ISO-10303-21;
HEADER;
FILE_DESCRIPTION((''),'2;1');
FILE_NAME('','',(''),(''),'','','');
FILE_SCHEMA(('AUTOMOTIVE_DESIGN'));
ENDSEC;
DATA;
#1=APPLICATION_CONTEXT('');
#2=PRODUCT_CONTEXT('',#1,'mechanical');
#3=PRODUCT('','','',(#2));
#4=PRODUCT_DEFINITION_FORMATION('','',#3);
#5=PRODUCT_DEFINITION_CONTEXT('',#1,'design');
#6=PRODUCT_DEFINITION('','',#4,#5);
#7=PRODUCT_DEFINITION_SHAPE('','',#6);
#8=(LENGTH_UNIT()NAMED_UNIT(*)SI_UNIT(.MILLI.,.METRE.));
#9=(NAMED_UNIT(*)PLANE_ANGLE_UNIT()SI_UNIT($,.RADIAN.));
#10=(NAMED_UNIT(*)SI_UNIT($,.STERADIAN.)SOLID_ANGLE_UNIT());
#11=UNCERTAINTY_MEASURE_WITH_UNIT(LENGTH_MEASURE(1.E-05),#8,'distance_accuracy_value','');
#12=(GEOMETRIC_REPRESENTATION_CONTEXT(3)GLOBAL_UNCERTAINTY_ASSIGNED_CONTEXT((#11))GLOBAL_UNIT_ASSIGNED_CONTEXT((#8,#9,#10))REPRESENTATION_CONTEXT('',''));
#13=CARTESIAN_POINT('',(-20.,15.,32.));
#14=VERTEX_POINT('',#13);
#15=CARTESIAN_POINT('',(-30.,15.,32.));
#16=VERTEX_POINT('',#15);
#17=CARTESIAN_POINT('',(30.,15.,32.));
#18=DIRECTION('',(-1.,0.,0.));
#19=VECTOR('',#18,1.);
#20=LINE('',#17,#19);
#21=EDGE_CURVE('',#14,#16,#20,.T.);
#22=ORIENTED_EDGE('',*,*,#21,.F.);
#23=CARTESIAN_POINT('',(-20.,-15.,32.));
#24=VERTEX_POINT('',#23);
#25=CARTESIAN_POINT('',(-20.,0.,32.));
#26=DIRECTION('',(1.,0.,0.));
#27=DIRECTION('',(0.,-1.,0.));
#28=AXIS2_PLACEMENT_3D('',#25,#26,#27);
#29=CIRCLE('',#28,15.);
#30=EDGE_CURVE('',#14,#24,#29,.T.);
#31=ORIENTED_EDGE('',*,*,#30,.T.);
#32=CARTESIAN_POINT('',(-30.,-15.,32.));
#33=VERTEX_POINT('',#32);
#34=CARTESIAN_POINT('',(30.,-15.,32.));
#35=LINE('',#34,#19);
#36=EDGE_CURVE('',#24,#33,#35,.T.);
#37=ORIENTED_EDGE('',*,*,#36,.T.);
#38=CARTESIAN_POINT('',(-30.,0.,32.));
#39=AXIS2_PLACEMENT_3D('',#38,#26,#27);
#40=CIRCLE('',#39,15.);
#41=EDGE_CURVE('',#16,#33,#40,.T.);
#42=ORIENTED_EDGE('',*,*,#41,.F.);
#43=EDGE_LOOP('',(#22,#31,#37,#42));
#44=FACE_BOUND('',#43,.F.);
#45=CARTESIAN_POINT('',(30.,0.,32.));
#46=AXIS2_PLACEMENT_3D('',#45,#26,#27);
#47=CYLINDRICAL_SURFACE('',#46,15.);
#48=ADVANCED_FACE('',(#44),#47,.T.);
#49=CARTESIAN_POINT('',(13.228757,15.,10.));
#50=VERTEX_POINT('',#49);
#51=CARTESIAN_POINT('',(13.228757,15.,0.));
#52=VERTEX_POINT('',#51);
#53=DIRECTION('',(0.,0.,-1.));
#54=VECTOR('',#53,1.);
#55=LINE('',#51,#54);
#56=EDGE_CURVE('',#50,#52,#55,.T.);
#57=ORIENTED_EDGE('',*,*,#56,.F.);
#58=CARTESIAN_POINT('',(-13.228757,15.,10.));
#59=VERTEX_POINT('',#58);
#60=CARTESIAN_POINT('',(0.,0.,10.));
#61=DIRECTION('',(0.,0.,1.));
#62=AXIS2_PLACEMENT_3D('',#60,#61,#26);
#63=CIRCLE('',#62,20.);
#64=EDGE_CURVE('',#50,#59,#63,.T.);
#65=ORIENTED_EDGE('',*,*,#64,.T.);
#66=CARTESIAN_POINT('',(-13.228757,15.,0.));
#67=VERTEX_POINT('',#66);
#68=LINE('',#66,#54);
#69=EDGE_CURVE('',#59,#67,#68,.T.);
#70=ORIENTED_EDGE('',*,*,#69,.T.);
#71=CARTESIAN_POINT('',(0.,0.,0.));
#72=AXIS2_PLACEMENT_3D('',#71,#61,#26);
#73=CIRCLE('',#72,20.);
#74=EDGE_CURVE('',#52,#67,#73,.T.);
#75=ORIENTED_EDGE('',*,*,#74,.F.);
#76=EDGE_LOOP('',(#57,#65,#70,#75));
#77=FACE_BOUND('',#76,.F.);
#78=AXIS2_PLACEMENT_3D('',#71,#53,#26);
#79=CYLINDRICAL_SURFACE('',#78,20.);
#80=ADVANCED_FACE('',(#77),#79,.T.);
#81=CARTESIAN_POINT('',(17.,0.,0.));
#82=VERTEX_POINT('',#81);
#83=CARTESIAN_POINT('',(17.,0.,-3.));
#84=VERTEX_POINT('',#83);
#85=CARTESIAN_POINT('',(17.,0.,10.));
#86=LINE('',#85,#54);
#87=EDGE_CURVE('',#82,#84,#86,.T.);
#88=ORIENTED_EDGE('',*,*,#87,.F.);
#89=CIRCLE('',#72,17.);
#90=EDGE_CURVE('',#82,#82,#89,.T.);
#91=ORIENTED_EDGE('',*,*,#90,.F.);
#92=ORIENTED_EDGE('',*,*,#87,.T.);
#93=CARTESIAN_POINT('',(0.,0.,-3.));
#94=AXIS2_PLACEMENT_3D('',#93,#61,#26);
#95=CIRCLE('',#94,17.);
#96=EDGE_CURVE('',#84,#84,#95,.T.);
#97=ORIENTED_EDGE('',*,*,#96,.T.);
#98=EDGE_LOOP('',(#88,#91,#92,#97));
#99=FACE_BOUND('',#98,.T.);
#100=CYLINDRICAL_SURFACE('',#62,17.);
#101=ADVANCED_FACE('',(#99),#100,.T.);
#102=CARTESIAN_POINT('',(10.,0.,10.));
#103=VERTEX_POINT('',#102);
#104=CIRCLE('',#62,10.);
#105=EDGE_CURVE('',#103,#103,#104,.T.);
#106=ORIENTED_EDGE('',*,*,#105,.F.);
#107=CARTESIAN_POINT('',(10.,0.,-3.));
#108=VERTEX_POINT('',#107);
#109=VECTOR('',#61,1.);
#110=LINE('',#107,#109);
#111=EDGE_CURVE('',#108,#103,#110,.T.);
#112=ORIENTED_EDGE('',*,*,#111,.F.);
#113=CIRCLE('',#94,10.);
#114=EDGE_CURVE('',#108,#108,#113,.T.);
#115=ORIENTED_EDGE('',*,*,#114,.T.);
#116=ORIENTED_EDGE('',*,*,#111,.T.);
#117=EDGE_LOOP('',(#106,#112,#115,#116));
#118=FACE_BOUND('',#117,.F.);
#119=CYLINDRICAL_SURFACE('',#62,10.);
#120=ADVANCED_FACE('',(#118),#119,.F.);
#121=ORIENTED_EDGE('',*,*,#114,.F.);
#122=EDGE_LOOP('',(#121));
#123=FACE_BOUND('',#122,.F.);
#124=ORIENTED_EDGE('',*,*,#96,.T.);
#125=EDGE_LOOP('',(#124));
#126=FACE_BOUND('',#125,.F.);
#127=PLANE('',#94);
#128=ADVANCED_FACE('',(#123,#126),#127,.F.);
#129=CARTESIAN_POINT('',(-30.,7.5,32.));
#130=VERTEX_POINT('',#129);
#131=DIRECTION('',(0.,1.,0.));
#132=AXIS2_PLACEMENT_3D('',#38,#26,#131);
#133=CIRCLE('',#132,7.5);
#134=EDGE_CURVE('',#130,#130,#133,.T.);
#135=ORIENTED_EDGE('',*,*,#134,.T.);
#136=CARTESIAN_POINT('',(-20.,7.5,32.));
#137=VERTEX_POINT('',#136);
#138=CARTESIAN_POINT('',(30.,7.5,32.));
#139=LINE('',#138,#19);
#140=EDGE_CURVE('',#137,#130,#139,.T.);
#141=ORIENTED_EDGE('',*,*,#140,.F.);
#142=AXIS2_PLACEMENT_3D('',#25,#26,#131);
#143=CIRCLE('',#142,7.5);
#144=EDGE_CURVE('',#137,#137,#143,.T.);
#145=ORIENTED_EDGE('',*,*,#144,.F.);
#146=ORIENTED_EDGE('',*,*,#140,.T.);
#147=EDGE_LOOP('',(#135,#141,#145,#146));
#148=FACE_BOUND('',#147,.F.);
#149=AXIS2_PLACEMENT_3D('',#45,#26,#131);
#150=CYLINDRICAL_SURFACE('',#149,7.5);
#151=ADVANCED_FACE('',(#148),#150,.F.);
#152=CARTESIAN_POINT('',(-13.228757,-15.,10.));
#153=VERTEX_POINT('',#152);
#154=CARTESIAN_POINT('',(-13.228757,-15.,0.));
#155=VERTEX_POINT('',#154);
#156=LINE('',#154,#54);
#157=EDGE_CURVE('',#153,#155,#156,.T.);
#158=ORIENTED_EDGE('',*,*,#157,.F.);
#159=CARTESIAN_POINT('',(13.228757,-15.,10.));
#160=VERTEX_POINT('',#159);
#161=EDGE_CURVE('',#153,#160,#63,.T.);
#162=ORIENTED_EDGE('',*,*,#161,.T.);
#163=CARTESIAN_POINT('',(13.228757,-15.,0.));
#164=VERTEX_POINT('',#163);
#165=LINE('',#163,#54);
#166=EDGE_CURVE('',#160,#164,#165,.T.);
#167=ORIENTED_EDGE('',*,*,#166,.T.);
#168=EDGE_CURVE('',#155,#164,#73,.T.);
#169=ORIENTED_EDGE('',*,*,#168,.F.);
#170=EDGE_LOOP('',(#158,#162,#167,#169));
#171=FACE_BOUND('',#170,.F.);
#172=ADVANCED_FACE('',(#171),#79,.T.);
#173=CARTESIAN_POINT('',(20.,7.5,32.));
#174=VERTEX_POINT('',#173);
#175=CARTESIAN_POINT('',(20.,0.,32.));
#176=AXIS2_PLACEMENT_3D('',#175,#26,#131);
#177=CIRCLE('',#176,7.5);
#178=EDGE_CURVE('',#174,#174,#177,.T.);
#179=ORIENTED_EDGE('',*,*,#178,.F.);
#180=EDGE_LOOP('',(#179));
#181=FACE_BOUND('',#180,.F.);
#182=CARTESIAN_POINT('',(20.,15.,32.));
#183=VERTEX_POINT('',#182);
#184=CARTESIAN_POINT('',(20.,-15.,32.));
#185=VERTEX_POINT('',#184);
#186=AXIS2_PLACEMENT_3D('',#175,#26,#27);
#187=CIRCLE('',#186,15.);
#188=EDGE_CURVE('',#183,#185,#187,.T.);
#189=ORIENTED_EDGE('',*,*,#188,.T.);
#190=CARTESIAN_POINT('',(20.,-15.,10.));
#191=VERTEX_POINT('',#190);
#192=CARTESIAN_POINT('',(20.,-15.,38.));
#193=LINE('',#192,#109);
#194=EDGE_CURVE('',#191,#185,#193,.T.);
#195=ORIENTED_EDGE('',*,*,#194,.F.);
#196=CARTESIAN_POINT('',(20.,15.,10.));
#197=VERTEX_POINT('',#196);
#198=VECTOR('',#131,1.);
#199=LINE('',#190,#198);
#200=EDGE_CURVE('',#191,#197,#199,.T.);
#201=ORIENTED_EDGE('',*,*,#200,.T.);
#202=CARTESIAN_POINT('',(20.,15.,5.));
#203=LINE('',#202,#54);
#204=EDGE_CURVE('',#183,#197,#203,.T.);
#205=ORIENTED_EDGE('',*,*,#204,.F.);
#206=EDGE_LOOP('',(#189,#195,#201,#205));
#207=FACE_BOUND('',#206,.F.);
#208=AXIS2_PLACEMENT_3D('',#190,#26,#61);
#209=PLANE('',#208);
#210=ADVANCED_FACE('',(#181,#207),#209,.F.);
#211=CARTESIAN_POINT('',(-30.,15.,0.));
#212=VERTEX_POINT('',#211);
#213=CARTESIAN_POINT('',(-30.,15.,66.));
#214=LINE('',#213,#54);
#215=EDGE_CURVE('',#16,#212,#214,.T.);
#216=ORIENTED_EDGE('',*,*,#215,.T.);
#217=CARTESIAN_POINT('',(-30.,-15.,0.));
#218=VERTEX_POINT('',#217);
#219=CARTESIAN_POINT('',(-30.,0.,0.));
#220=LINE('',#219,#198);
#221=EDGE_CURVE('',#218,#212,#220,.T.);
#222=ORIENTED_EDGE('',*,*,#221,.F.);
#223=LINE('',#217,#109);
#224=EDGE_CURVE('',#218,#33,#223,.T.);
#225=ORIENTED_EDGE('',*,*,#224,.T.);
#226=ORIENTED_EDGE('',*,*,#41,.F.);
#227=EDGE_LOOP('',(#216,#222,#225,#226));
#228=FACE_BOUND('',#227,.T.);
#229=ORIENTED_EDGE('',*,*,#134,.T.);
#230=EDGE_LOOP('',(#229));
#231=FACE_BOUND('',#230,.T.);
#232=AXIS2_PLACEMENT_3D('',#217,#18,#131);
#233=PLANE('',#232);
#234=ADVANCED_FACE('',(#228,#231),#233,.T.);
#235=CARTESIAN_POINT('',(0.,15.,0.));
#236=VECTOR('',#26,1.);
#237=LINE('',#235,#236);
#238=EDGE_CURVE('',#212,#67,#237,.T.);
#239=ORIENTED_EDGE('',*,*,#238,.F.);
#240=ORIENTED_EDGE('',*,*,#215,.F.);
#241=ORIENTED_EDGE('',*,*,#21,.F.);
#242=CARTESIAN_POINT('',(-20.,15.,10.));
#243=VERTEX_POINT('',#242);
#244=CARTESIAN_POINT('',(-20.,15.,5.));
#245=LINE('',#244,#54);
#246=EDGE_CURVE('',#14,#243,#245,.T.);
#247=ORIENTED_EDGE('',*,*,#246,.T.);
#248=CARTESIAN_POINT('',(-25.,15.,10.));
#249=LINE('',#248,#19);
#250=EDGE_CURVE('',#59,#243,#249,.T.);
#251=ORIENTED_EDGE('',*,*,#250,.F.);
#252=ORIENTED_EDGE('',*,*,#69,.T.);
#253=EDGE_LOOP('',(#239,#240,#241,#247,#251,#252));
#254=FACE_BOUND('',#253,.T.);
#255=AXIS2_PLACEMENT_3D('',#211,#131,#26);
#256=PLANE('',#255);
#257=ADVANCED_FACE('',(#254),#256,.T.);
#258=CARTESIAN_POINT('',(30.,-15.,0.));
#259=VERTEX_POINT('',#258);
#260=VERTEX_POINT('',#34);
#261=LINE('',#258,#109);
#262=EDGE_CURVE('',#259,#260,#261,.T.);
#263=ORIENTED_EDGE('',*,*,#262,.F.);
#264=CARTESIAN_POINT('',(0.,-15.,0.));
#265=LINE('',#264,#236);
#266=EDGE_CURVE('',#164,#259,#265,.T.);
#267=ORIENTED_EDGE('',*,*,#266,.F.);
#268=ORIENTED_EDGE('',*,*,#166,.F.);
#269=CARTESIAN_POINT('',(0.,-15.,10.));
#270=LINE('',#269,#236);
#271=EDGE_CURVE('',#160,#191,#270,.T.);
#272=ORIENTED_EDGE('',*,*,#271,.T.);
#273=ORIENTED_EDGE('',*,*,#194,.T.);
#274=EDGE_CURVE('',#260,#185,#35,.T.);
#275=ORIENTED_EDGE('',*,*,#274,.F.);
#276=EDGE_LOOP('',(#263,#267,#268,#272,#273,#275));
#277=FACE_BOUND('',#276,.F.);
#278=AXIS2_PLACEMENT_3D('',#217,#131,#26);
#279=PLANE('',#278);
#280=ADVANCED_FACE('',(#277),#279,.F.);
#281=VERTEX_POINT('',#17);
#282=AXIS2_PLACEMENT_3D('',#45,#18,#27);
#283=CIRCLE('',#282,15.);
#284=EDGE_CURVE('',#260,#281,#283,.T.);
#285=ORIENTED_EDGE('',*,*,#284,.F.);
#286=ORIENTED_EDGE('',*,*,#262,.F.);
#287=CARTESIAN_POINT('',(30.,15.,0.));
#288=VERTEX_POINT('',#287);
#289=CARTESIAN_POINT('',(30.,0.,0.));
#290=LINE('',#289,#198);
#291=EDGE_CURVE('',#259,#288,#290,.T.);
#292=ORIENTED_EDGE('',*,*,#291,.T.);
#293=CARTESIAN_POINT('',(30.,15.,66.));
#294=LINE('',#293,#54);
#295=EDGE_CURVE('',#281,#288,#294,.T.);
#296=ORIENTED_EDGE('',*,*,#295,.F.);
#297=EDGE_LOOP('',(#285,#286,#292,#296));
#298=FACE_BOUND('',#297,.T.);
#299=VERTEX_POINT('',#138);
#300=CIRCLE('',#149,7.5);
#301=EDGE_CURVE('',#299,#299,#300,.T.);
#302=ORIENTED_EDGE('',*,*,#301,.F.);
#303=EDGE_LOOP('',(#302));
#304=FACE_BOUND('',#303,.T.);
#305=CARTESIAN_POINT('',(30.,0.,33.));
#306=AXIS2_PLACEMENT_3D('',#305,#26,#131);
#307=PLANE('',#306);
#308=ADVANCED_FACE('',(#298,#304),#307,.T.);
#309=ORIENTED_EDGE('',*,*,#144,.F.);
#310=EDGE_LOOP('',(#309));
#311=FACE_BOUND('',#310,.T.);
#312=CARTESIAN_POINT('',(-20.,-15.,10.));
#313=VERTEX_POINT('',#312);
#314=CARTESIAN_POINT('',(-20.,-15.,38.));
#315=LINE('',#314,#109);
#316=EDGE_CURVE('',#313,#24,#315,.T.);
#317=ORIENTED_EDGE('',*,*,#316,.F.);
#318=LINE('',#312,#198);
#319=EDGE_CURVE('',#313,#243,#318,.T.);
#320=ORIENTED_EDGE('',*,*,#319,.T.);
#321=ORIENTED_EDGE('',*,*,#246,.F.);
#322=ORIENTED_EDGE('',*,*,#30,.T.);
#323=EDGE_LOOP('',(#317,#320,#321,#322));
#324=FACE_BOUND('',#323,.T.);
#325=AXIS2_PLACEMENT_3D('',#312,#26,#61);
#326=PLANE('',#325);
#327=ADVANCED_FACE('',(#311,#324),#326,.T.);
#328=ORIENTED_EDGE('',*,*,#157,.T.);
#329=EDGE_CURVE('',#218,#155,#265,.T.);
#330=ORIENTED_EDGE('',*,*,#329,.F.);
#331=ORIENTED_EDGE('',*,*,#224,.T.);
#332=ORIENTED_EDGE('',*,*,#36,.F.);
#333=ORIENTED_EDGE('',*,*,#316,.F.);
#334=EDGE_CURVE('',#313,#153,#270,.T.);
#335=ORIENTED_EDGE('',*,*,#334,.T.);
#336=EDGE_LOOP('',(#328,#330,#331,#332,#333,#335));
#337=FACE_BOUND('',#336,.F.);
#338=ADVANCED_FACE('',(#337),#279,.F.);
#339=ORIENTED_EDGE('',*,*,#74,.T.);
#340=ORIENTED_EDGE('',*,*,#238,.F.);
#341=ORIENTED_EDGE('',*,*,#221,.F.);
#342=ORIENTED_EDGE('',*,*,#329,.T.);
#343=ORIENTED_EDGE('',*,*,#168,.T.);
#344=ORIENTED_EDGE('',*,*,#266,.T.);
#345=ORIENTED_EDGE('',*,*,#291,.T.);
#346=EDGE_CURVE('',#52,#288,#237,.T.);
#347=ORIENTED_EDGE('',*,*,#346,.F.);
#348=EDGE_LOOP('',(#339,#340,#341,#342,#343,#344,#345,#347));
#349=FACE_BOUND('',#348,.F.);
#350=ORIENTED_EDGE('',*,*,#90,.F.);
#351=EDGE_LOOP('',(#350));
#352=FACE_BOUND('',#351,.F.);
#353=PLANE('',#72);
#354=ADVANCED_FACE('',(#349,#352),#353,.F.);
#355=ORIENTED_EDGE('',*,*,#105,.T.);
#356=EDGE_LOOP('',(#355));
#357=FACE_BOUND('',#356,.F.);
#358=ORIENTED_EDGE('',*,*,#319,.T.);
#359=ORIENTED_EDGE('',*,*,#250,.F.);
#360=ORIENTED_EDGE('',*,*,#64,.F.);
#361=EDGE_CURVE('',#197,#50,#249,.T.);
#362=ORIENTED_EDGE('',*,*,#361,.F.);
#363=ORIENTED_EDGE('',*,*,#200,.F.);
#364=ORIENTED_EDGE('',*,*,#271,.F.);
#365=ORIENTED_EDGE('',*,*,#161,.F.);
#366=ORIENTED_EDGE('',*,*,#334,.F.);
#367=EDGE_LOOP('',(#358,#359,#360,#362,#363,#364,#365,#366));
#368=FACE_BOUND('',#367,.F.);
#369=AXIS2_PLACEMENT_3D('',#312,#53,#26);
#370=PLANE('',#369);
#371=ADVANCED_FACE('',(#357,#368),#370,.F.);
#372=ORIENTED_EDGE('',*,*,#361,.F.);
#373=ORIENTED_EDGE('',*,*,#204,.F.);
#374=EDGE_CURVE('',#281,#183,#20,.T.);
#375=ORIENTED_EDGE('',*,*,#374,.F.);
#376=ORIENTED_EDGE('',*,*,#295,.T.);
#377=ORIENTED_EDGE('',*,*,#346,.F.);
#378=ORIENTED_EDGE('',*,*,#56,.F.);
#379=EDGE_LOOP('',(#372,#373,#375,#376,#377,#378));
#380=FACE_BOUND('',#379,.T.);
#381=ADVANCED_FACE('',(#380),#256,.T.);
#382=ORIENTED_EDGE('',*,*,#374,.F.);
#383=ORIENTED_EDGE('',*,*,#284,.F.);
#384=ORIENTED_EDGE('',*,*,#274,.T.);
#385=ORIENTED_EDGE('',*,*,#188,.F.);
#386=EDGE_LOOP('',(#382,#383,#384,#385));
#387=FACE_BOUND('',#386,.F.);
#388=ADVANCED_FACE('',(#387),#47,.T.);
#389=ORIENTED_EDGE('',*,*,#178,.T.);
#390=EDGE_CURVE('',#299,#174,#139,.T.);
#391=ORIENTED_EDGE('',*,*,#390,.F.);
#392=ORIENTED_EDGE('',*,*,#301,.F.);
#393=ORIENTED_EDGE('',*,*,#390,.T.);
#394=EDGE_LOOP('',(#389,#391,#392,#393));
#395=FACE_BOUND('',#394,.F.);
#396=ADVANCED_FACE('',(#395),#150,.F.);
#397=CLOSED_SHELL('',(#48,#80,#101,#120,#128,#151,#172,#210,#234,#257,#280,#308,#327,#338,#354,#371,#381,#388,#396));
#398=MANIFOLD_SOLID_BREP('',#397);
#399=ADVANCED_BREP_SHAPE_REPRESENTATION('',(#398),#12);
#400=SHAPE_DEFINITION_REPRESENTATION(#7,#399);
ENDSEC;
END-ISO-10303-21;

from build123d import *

# Parameters (mm, degrees)
F0_R      = 20
F0_R_2    = 10
F1_DEPTH  = 10
F2_W      = 60
F2_H      = 30
F3_DEPTH  = 10
F4_R      = 17
F5_DEPTH  = 13
F6_R      = 10
F7_DEPTH  = 13.001
F8_W      = 30
F8_H      = 66
F9_DEPTH  = 60
F10_W     = 40
F10_H     = 56
F11_DEPTH = 35.001
F12_R     = 7.5
F13_DEPTH = 60.001
F14_R     = 10
F15_DEPTH = 13.001


with BuildPart() as f1:
    # F0 (on Top) → F1 (new body)
    with BuildSketch(Plane.XY):
        Circle(F0_R)
        Circle(F0_R_2, mode=Mode.SUBTRACT)
    extrude(amount=F1_DEPTH)

    # F2 (on Top) → F3 (join)
    with BuildSketch(Plane.XY):
        Rectangle(F2_W, F2_H)
    extrude(amount=F3_DEPTH)

    # F4 (on face) → F5 (join)
    with BuildSketch(Plane.XY.offset(10)):
        Circle(F4_R)
    extrude(amount=-F5_DEPTH)

    # F6 (on face) → F7 (cut, through all)
    with BuildSketch(Plane.XY.offset(10)):
        Circle(F6_R)
    extrude(amount=-F7_DEPTH, mode=Mode.SUBTRACT)

    # F8 (on face) → F9 (join)
    with BuildSketch(Plane.YZ.offset(30)):
        with Locations((0, 33)):
            Rectangle(F8_W, F8_H)
    extrude(amount=-F9_DEPTH)

    # F10 (on face) → F11 (cut, through all)
    with BuildSketch(Plane.XZ.offset(15)):
        with Locations((0, 38)):
            Rectangle(F10_W, F10_H)
    extrude(amount=-F11_DEPTH, mode=Mode.SUBTRACT)

    # F12 (on face) → F13 (cut, through all)
    with BuildSketch(Plane.YZ.offset(30)):
        with Locations((0, 32)):
            Circle(F12_R)
        with BuildLine():
            ThreePointArc((-15, 32), (0, 47), (15, 32))
            Line((15, 32), (15, 66))
            Line((15, 66), (-15, 66))
            Line((-15, 66), (-15, 32))
        make_face()
    extrude(amount=-F13_DEPTH, mode=Mode.SUBTRACT)

    # F14 (on face) → F15 (cut, through all)
    with BuildSketch(Plane.XY.offset(10)):
        Circle(F14_R)
    extrude(amount=-F15_DEPTH, mode=Mode.SUBTRACT)


solid = f1.part
